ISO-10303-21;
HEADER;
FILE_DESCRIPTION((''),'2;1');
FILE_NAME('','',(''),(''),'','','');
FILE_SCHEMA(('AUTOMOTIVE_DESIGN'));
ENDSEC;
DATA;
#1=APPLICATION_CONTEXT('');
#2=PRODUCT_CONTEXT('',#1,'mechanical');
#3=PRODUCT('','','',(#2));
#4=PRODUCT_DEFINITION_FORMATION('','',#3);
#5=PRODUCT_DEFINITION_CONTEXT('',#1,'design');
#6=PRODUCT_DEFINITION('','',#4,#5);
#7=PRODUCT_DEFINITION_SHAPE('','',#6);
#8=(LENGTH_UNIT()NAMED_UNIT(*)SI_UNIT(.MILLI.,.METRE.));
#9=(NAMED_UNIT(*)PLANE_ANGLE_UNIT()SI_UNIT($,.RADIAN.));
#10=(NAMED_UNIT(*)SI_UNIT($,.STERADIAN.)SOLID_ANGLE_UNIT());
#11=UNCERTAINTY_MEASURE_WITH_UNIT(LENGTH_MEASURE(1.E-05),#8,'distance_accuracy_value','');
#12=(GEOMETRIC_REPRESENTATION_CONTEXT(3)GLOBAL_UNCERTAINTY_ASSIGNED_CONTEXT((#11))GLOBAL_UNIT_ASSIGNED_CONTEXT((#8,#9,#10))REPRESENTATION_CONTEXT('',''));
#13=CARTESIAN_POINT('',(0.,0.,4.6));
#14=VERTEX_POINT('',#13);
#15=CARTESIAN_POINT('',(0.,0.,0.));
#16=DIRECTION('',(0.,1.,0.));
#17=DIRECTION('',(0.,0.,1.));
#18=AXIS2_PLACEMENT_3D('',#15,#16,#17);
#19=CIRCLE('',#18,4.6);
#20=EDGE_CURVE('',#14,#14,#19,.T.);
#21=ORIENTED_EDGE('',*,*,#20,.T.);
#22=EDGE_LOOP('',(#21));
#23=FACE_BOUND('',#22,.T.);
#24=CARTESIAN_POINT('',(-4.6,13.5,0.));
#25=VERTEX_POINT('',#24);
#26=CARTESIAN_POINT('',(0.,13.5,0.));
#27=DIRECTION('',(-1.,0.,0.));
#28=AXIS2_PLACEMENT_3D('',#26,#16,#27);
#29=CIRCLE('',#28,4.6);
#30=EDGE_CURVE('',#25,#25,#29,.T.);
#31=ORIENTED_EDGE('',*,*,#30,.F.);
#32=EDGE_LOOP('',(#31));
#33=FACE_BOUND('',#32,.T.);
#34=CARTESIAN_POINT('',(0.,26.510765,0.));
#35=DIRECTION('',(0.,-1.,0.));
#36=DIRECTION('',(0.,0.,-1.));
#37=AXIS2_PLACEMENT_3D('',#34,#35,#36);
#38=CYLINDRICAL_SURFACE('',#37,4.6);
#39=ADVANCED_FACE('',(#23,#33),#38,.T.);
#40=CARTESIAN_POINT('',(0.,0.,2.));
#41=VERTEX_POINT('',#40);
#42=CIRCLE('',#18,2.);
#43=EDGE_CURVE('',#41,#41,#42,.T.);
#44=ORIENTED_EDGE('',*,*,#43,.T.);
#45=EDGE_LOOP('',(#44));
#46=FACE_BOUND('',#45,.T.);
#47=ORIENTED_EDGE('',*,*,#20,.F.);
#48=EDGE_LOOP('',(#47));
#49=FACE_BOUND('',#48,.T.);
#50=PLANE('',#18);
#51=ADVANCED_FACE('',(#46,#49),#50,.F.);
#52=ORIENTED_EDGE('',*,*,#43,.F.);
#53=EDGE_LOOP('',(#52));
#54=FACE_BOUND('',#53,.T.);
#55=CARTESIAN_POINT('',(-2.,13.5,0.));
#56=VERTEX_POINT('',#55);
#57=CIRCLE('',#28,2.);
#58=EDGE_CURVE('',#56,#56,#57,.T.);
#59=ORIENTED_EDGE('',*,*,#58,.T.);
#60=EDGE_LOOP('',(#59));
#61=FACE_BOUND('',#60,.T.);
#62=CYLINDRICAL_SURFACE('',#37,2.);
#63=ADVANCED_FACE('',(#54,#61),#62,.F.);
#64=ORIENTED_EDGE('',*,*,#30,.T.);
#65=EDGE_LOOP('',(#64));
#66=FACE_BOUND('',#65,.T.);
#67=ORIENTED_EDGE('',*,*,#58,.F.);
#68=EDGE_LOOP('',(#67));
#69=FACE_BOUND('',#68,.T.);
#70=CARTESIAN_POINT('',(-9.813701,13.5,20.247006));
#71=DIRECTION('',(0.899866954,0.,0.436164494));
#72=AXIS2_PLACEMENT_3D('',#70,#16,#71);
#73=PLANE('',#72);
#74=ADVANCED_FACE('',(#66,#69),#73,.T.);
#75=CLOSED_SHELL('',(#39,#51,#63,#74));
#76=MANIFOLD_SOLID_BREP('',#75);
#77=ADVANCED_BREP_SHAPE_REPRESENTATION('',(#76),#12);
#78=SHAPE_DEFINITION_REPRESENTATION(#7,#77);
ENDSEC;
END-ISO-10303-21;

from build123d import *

# Parameters (mm, degrees)
SKETCH_1_R      = 4.6
SKETCH_1_R_2    = 2
EXTRUDE_1_DEPTH = 13.5


with BuildPart() as part:
    # Эскиз1 → Вытянуть1 (new body)
    with BuildSketch(Plane(origin=(0, 0, 0), x_dir=(1, 0, 0), z_dir=(0, 1, 0))):
        with Locations(Location((0, 0, 0), (0, 0, 180))):
            Circle(SKETCH_1_R)
        with Locations(Location((0, 0, 0), (0, 0, 180))):
            Circle(SKETCH_1_R_2, mode=Mode.SUBTRACT)
    extrude(amount=EXTRUDE_1_DEPTH)


solid = part.part
